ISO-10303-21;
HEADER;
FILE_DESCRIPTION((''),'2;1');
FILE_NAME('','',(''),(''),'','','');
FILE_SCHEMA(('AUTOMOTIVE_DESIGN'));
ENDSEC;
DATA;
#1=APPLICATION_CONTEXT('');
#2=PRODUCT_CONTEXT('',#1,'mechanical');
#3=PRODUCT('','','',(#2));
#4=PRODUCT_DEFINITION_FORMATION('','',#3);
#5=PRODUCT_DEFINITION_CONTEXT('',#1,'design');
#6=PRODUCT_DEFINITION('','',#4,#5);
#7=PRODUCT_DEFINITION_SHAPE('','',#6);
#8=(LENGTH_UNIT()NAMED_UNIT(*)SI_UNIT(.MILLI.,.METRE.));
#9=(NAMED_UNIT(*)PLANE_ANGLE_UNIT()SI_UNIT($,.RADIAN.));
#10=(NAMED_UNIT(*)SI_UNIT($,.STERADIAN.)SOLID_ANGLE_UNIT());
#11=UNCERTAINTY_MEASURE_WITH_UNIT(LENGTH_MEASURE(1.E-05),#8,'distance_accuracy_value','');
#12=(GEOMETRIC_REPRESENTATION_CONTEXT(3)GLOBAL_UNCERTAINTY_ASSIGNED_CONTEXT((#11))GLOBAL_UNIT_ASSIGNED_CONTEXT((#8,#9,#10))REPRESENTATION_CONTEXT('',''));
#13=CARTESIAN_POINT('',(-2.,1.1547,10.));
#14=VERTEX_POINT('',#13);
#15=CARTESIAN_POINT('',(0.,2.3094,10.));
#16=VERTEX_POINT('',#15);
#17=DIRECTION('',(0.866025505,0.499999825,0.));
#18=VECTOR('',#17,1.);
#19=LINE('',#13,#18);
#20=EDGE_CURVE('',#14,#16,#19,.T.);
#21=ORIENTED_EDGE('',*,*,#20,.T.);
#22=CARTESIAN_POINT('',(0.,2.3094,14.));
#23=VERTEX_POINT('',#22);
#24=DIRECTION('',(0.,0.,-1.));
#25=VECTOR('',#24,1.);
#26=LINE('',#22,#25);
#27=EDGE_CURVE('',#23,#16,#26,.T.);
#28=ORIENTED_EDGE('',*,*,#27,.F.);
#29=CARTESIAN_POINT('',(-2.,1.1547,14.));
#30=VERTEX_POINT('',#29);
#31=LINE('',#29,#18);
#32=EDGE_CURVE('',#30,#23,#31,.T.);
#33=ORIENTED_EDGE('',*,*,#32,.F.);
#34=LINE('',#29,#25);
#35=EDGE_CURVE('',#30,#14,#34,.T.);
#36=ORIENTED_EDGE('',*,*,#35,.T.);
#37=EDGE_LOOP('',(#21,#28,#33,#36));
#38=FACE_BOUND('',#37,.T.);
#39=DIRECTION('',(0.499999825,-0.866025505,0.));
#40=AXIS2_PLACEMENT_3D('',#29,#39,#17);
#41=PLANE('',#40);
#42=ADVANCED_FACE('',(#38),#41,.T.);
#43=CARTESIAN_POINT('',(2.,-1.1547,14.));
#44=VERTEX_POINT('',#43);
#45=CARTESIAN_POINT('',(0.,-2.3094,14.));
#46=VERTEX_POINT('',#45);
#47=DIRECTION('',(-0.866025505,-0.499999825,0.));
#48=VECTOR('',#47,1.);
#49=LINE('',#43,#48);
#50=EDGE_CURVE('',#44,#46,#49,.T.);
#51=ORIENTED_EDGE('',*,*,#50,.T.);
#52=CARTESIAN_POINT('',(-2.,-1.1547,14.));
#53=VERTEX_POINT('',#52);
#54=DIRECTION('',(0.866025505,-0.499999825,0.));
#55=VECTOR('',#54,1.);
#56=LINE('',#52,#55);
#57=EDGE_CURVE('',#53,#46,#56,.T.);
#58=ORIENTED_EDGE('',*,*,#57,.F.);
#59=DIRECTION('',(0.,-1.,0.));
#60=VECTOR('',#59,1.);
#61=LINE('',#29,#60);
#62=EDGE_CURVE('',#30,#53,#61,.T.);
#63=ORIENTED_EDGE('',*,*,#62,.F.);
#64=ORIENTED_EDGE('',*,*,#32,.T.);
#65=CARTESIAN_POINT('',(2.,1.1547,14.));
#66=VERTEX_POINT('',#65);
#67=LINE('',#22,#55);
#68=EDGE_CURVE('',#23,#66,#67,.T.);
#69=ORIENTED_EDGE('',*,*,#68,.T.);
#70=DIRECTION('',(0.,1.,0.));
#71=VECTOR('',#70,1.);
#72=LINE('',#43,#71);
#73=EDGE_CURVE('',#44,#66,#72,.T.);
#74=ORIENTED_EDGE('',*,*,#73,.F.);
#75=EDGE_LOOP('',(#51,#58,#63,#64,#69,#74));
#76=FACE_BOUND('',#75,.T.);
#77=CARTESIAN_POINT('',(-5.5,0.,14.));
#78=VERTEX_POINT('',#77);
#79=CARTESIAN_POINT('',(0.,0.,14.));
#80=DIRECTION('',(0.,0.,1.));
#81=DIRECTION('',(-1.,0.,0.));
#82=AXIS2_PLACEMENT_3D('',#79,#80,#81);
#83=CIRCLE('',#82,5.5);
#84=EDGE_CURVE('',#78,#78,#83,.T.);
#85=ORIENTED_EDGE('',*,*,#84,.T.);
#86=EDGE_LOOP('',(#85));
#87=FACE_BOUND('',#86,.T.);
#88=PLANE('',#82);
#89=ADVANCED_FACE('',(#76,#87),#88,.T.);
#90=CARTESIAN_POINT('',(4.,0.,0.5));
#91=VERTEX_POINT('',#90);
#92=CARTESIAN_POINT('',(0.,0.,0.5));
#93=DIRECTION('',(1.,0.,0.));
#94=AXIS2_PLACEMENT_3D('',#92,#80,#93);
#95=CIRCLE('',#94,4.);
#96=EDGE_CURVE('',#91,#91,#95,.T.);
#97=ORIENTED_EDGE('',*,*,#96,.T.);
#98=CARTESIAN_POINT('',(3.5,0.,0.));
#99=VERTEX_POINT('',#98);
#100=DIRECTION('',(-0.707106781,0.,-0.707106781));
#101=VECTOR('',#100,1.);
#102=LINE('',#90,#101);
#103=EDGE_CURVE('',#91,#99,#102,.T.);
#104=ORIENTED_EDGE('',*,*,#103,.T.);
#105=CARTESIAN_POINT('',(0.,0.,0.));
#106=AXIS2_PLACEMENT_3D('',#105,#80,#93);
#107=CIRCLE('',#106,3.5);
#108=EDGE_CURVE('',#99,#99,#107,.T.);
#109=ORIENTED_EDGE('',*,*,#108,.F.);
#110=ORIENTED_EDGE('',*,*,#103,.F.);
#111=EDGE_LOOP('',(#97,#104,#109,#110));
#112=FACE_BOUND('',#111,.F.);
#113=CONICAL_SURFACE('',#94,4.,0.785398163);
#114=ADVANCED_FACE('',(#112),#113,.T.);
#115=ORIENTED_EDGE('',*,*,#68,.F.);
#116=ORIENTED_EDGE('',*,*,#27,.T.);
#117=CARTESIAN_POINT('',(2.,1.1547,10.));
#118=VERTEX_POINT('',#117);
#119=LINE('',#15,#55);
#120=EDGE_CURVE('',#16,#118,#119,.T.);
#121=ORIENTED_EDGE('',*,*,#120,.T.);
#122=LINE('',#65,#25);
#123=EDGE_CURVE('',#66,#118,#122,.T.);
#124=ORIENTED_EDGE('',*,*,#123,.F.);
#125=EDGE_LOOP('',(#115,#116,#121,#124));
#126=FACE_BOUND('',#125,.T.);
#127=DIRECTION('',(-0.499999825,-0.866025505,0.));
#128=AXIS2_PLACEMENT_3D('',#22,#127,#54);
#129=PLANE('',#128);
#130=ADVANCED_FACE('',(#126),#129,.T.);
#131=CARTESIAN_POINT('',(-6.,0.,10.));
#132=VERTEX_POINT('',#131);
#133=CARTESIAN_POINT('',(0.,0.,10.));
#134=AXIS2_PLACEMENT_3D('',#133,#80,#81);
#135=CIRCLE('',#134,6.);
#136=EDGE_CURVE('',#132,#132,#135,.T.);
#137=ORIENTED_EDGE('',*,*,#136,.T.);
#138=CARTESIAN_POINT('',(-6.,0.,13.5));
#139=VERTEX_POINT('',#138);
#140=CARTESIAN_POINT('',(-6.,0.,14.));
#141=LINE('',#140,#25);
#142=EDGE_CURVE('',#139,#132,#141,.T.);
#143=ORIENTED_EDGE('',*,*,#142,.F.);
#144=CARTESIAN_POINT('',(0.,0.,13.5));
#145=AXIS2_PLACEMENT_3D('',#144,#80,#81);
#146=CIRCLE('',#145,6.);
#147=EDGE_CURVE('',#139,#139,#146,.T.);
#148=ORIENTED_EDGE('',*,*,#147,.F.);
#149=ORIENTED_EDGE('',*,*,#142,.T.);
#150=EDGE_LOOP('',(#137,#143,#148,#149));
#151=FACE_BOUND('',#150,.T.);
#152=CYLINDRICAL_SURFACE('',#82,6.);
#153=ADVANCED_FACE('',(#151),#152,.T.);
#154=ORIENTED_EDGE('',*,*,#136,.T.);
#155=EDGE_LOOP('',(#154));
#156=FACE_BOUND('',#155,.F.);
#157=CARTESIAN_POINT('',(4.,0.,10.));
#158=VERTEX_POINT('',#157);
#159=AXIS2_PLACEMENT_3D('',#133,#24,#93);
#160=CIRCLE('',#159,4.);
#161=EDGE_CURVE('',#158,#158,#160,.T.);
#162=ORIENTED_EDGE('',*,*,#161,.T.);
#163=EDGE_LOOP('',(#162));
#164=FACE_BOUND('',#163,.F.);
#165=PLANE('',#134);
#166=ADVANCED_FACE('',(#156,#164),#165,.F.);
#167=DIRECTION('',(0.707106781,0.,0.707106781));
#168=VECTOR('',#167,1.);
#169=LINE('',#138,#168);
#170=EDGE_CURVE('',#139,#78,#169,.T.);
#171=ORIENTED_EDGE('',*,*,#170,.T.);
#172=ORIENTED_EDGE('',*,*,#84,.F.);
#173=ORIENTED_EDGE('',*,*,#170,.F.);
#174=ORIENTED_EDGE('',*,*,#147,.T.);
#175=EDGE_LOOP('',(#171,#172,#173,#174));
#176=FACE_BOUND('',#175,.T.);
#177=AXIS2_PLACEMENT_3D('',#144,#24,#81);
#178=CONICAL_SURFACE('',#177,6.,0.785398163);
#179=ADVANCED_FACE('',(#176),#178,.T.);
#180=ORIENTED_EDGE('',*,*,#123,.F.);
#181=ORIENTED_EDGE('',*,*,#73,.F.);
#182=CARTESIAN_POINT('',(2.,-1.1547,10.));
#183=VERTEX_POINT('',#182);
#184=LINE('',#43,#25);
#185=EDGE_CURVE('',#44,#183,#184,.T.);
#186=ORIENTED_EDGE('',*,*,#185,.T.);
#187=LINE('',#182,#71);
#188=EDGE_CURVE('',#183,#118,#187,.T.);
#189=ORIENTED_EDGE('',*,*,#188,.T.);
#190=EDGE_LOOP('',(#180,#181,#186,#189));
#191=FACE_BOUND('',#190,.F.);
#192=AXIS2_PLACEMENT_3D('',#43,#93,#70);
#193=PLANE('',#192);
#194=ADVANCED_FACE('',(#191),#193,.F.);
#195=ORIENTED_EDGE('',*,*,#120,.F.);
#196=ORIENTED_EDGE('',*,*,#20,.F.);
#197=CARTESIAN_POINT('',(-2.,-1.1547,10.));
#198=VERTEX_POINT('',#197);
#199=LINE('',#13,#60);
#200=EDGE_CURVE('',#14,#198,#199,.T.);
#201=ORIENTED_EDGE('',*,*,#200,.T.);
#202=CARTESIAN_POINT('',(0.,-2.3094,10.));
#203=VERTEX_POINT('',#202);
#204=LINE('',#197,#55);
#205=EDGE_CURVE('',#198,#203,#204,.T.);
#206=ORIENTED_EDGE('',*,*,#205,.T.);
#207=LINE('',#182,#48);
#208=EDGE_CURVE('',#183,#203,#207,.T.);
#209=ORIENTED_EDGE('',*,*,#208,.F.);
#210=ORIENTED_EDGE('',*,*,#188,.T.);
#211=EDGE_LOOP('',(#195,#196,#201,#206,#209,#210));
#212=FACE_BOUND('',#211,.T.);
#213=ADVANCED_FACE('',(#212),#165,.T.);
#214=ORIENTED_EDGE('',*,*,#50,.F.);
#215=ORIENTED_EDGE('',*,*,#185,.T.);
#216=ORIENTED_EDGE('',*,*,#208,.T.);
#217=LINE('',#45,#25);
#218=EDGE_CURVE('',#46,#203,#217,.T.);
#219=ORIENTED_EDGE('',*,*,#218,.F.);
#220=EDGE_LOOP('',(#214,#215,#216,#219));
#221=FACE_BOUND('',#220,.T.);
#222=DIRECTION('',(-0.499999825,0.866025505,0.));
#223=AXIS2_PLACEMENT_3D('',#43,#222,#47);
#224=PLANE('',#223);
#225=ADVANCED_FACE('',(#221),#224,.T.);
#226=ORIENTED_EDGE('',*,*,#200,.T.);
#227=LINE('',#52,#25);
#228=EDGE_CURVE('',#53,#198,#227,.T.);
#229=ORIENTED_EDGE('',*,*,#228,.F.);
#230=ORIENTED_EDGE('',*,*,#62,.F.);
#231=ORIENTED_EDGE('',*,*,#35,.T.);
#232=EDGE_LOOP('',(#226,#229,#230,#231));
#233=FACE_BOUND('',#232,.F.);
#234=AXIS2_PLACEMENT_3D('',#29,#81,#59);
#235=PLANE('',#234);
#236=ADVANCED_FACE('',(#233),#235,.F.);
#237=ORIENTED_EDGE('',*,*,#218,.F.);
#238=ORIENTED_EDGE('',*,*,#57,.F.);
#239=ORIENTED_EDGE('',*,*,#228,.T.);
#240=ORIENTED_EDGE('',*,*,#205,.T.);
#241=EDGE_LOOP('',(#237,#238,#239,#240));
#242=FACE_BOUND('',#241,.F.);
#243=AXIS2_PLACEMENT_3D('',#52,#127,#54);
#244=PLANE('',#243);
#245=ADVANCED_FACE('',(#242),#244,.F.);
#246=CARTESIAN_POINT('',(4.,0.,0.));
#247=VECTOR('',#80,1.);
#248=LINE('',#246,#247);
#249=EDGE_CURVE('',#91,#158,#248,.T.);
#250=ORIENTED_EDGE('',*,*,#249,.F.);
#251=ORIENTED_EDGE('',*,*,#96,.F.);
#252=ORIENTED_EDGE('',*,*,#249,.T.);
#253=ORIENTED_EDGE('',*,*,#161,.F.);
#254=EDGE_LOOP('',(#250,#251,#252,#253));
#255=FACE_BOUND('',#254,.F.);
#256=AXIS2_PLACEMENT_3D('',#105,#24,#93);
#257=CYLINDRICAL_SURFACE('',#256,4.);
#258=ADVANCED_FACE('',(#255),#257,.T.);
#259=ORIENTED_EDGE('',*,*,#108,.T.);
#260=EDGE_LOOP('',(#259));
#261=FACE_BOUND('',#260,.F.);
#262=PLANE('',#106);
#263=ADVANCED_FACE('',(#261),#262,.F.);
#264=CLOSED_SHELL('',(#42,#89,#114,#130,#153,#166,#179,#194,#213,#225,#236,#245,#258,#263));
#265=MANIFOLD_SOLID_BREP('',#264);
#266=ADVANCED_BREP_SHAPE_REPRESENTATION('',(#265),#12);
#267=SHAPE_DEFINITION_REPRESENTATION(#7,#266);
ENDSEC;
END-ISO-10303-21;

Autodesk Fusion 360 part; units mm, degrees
sketch "Sketch1" plane through (0, 0, 0) normal (0, 0, 1) x (1, 0, 0)
  circle A0 centre (0, 0) radius 4
extrude "Extrude1" add sketch "Sketch1" along normal blind 14
sketch "Sketch2" plane through (0, 0, 14) normal (0, 0, 1) x (-1, 0, 0)
  circle A0 centre (0, 0) radius 4
  circle A1 centre (0, 0) radius 6
extrude "Extrude2" add sketch "Sketch2" against normal blind 4
chamfer "Chamfer1" distance 0.5 angle 45 1 edges at (5.594, 2.1697, 14)
chamfer "Chamfer2" distance 0.5 angle 45 1 edges at (-3.7293, -1.4465, 0)
sketch "Sketch3" plane through (0, 0, 14) normal (0, 0, 1) x (-1, 0, 0)
  circle A0 centre (0, 0) radius 5.5
  line L0 (2, -1.1547) -> (2, 1.1547)
  line L1 (-2, 1.1547) -> (-2, -1.1547)
  line L2 (2, -1.1547) -> (0, -2.3094)
  line L3 (0, -2.3094) -> (-2, -1.1547)
  line L4 (2, 1.1547) -> (0, 2.3094)
  line L5 (-2, 1.1547) -> (0, 2.3094)
extrude "Extrude3" cut sketch "Sketch3" against normal blind 4 contours L0 L1 L2 L3 L4 L5
